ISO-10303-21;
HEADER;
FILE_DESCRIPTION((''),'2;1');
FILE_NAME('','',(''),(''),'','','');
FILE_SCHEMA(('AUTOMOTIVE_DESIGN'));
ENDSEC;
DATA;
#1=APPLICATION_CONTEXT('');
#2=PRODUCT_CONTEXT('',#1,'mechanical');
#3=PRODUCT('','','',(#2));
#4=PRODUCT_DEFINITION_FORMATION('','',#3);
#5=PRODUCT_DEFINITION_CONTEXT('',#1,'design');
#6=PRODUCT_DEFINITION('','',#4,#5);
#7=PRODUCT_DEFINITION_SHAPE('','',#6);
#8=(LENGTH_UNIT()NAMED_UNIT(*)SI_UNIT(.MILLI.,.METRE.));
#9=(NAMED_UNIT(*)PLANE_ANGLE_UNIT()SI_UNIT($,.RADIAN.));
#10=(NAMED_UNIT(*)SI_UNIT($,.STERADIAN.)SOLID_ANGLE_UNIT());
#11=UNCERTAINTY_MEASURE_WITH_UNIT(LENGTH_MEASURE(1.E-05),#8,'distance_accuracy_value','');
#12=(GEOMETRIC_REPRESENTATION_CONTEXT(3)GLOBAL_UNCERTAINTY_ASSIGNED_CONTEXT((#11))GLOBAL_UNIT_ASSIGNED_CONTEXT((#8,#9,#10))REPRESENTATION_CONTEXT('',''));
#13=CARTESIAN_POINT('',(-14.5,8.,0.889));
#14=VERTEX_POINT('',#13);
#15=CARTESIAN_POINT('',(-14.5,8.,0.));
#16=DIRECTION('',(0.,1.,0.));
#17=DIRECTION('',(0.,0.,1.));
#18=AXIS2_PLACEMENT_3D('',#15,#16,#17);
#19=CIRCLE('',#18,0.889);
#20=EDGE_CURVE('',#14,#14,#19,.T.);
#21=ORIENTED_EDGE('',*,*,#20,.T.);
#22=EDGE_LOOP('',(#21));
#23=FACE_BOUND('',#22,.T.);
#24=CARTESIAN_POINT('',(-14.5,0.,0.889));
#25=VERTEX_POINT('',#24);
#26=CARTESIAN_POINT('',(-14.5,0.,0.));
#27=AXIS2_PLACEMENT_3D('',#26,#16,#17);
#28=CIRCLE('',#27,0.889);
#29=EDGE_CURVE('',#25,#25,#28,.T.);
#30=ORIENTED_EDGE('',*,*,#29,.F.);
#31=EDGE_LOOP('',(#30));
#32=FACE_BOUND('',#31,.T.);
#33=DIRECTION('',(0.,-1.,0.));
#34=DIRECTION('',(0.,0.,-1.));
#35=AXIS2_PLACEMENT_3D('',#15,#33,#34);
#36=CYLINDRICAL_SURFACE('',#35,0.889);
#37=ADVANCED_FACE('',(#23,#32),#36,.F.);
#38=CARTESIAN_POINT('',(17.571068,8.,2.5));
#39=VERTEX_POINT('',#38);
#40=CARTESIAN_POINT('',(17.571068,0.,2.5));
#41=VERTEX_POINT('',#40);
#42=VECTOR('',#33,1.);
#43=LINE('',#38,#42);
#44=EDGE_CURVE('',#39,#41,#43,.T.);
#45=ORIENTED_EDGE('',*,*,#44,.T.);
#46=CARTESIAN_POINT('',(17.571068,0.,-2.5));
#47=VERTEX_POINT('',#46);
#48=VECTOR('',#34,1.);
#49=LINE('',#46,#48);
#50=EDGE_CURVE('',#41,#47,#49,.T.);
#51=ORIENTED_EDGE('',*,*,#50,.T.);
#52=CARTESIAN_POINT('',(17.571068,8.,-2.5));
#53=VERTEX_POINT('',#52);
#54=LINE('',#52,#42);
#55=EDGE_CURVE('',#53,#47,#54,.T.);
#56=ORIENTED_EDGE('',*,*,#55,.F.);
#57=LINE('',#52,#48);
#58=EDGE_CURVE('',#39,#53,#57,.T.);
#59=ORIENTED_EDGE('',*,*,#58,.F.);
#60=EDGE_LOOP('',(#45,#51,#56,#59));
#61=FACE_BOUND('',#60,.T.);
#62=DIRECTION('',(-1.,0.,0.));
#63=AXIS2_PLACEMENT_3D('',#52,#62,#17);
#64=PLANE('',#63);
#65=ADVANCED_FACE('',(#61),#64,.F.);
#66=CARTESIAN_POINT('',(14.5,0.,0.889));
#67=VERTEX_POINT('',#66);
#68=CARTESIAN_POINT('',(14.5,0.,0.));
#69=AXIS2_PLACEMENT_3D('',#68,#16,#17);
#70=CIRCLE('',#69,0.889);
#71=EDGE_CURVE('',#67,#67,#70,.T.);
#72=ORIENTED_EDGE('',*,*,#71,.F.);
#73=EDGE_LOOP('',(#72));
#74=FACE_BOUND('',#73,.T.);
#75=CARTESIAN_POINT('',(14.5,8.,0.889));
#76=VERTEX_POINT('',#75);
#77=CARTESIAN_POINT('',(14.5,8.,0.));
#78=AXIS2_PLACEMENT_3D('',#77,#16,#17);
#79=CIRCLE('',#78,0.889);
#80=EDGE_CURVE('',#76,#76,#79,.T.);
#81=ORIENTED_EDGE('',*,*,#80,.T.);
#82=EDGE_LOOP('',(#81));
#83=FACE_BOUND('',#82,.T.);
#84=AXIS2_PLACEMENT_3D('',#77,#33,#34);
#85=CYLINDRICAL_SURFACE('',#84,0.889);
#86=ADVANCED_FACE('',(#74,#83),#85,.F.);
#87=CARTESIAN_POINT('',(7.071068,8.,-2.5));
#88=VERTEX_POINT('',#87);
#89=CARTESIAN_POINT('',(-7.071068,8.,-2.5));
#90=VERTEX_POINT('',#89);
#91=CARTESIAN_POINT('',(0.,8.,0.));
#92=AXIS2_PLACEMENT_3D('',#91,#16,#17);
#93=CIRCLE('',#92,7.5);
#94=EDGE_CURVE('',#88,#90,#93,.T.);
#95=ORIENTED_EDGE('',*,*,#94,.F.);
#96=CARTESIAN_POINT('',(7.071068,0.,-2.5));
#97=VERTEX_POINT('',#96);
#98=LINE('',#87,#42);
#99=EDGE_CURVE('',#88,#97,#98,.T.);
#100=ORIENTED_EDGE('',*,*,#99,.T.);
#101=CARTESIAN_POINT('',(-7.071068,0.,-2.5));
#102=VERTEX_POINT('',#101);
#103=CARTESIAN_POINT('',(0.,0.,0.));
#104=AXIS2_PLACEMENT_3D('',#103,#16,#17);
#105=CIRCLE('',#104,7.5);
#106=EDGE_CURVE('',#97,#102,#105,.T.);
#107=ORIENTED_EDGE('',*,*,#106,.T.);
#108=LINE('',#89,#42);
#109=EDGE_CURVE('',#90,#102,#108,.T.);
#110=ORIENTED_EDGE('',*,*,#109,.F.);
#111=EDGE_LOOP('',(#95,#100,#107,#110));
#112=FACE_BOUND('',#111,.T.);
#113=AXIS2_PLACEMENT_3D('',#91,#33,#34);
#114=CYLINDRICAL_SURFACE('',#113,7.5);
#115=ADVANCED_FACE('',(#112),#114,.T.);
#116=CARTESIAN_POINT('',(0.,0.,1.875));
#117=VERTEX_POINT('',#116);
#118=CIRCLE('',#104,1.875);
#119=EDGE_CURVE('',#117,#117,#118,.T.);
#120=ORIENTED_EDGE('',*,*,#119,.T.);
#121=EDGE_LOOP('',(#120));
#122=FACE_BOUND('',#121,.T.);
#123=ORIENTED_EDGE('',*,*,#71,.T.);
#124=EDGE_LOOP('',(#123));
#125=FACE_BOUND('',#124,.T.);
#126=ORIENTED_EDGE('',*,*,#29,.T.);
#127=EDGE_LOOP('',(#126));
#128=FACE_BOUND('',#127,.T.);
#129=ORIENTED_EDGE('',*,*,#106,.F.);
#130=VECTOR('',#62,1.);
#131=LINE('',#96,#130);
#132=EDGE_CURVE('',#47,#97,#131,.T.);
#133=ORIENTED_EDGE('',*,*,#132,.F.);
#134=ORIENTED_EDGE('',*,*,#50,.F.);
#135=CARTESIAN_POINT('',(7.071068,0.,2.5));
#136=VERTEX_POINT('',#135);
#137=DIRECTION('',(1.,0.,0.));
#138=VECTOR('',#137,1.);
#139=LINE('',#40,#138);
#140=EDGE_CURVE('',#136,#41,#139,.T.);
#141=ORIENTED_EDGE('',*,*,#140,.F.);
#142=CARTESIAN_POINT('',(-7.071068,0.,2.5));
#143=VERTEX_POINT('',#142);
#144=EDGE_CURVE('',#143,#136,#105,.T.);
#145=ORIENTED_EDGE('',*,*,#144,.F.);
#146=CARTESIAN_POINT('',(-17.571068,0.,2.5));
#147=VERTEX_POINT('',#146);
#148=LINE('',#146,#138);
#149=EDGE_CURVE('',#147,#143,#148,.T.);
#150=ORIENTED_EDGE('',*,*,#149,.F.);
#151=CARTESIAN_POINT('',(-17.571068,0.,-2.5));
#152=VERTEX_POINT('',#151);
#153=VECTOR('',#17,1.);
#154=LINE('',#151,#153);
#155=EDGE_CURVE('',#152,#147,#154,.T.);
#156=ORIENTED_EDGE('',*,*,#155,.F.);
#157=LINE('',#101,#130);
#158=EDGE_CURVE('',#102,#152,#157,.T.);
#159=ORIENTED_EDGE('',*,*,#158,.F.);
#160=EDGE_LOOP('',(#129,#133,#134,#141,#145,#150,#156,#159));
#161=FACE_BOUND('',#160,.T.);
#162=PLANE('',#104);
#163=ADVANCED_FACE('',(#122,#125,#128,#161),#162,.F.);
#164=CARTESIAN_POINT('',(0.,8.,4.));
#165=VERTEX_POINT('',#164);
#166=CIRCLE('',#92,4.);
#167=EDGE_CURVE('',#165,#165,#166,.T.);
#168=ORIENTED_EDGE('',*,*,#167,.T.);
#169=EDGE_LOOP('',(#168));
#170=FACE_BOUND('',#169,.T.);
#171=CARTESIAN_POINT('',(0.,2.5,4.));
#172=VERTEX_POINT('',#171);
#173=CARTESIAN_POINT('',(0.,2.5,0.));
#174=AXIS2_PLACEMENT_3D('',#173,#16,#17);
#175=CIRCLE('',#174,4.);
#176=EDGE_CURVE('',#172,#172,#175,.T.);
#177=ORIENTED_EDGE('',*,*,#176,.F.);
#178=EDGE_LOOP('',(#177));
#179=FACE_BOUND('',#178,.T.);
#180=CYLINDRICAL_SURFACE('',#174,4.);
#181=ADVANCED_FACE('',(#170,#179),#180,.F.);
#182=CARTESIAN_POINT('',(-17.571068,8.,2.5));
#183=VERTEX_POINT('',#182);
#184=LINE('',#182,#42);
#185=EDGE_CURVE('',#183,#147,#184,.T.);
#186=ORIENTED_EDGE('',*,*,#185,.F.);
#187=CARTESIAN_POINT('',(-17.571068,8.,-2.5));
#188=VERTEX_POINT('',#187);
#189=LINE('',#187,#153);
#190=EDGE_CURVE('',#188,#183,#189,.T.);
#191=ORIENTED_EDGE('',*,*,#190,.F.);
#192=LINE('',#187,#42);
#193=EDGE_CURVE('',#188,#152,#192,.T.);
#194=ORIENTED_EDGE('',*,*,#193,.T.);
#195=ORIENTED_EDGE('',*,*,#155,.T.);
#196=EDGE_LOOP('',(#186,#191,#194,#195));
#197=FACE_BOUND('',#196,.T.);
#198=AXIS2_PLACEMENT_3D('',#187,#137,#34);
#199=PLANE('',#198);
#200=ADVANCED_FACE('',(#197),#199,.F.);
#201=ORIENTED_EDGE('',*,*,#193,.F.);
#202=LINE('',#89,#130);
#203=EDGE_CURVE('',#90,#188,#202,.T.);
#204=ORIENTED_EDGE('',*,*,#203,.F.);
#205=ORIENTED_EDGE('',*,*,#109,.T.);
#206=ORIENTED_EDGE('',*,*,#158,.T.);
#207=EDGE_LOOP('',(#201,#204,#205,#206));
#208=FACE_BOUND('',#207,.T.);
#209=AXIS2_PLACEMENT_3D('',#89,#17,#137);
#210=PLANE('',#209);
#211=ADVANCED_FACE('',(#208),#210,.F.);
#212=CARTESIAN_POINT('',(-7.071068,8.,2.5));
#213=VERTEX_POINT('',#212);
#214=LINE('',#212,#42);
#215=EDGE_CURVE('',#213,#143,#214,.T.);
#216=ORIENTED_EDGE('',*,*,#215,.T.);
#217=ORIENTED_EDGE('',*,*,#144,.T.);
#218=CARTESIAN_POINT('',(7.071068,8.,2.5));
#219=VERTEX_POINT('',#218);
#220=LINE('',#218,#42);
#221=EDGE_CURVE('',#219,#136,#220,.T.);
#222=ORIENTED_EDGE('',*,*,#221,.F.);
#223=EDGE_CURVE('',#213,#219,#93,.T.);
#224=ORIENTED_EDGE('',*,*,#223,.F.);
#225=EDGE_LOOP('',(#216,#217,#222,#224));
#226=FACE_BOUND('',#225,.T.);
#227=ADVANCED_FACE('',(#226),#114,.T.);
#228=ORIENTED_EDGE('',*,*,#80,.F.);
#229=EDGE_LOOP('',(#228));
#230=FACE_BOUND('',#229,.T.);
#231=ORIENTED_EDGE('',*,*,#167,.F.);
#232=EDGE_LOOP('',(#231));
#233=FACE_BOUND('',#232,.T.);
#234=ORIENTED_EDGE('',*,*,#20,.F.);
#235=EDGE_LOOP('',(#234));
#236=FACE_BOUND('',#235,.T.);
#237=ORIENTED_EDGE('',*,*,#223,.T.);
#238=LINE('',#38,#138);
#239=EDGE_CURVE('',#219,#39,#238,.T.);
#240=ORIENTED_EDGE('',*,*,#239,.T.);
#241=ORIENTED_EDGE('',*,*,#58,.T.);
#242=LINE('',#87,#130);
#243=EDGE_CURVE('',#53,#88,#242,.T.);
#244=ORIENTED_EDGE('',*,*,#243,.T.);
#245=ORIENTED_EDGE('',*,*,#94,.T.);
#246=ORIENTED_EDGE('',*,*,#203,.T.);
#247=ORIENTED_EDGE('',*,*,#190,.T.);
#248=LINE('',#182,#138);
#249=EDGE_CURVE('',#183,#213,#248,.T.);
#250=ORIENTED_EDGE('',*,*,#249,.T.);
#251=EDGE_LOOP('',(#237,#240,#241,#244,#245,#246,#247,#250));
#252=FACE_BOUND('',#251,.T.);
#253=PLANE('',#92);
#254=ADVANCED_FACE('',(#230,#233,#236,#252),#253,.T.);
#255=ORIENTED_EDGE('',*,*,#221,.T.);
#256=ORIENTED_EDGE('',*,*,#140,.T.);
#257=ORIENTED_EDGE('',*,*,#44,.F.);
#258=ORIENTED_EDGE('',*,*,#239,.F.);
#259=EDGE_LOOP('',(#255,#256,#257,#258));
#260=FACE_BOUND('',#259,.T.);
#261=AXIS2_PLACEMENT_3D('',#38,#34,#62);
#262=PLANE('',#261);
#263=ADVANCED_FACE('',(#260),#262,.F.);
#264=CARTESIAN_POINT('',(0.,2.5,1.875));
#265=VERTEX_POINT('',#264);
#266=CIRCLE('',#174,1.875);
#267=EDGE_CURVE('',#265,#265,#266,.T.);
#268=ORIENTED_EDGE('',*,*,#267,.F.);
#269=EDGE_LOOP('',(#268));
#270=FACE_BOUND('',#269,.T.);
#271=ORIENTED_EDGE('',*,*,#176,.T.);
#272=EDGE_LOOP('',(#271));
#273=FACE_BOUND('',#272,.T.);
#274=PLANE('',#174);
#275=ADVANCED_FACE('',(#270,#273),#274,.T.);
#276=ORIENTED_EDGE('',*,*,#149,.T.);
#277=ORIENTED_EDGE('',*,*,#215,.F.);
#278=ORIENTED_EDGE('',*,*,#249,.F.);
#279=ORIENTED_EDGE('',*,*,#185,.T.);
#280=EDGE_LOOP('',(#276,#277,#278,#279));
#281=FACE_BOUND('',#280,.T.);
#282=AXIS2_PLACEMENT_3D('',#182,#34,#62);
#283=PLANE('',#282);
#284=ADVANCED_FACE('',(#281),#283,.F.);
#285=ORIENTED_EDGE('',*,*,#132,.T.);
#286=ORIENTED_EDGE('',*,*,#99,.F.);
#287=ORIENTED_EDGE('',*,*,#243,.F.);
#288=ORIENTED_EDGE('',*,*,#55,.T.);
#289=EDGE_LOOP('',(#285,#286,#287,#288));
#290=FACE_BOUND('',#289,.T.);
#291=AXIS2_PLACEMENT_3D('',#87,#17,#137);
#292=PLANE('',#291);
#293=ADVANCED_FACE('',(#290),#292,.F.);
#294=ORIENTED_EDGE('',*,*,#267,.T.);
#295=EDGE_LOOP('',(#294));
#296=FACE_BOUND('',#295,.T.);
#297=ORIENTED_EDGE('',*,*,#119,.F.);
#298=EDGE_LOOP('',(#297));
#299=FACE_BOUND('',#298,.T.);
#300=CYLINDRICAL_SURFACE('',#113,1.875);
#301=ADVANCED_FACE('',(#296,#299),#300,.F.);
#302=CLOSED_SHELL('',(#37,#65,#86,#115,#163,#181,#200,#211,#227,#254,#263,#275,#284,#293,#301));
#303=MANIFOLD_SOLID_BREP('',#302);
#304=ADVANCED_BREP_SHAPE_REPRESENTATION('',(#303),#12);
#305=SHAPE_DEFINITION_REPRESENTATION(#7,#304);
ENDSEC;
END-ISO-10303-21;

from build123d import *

# Parameters (mm, degrees)
SKETCH1_R           = 1.875
SKETCH1_R_2         = 0.889
BOSS_EXTRUDE1_DEPTH = 8
SKETCH2_R           = 4
CUT_EXTRUDE1_DEPTH  = 5.5


with BuildPart() as part:
    # Sketch1 → Boss-Extrude1 (new body)
    with BuildSketch(Plane(origin=(0, 0, 0), x_dir=(1, 0, 0), z_dir=(0, 1, 0))):
        with BuildLine():
            Line((-7.071067812, 2.5), (-17.571067812, 2.5))
            Line((-17.571067812, 2.5), (-17.571067812, -2.5))
            Line((-17.571067812, -2.5), (-7.071067812, -2.5))
            ThreePointArc((-7.071067812, -2.5), (0, -7.5), (7.071067812, -2.5))
            Line((7.071067812, -2.5), (17.571067812, -2.5))
            Line((17.571067812, -2.5), (17.571067812, 2.5))
            Line((17.571067812, 2.5), (7.071067812, 2.5))
            ThreePointArc((7.071067812, 2.5), (0, 7.5), (-7.071067812, 2.5))
        make_face()
        with Locations(Location((0, 0, 0), (0, 0, 270))):
            Circle(SKETCH1_R, mode=Mode.SUBTRACT)
        with Locations(Location((-14.5, 0, 0), (0, 0, 270))):
            Circle(SKETCH1_R_2, mode=Mode.SUBTRACT)
        with Locations(Location((14.5, 0, 0), (0, 0, 270))):
            Circle(SKETCH1_R_2, mode=Mode.SUBTRACT)
    extrude(amount=BOSS_EXTRUDE1_DEPTH)

    # Sketch2 → Cut-Extrude1 (cut)
    with BuildSketch(Plane(origin=(0, 8, 0), x_dir=(1, 0, 0), z_dir=(0, 1, 0))):
        with Locations(Location((0, 0, 0), (0, 0, 270))):
            Circle(SKETCH2_R)
    extrude(amount=-CUT_EXTRUDE1_DEPTH, mode=Mode.SUBTRACT)


solid = part.part
